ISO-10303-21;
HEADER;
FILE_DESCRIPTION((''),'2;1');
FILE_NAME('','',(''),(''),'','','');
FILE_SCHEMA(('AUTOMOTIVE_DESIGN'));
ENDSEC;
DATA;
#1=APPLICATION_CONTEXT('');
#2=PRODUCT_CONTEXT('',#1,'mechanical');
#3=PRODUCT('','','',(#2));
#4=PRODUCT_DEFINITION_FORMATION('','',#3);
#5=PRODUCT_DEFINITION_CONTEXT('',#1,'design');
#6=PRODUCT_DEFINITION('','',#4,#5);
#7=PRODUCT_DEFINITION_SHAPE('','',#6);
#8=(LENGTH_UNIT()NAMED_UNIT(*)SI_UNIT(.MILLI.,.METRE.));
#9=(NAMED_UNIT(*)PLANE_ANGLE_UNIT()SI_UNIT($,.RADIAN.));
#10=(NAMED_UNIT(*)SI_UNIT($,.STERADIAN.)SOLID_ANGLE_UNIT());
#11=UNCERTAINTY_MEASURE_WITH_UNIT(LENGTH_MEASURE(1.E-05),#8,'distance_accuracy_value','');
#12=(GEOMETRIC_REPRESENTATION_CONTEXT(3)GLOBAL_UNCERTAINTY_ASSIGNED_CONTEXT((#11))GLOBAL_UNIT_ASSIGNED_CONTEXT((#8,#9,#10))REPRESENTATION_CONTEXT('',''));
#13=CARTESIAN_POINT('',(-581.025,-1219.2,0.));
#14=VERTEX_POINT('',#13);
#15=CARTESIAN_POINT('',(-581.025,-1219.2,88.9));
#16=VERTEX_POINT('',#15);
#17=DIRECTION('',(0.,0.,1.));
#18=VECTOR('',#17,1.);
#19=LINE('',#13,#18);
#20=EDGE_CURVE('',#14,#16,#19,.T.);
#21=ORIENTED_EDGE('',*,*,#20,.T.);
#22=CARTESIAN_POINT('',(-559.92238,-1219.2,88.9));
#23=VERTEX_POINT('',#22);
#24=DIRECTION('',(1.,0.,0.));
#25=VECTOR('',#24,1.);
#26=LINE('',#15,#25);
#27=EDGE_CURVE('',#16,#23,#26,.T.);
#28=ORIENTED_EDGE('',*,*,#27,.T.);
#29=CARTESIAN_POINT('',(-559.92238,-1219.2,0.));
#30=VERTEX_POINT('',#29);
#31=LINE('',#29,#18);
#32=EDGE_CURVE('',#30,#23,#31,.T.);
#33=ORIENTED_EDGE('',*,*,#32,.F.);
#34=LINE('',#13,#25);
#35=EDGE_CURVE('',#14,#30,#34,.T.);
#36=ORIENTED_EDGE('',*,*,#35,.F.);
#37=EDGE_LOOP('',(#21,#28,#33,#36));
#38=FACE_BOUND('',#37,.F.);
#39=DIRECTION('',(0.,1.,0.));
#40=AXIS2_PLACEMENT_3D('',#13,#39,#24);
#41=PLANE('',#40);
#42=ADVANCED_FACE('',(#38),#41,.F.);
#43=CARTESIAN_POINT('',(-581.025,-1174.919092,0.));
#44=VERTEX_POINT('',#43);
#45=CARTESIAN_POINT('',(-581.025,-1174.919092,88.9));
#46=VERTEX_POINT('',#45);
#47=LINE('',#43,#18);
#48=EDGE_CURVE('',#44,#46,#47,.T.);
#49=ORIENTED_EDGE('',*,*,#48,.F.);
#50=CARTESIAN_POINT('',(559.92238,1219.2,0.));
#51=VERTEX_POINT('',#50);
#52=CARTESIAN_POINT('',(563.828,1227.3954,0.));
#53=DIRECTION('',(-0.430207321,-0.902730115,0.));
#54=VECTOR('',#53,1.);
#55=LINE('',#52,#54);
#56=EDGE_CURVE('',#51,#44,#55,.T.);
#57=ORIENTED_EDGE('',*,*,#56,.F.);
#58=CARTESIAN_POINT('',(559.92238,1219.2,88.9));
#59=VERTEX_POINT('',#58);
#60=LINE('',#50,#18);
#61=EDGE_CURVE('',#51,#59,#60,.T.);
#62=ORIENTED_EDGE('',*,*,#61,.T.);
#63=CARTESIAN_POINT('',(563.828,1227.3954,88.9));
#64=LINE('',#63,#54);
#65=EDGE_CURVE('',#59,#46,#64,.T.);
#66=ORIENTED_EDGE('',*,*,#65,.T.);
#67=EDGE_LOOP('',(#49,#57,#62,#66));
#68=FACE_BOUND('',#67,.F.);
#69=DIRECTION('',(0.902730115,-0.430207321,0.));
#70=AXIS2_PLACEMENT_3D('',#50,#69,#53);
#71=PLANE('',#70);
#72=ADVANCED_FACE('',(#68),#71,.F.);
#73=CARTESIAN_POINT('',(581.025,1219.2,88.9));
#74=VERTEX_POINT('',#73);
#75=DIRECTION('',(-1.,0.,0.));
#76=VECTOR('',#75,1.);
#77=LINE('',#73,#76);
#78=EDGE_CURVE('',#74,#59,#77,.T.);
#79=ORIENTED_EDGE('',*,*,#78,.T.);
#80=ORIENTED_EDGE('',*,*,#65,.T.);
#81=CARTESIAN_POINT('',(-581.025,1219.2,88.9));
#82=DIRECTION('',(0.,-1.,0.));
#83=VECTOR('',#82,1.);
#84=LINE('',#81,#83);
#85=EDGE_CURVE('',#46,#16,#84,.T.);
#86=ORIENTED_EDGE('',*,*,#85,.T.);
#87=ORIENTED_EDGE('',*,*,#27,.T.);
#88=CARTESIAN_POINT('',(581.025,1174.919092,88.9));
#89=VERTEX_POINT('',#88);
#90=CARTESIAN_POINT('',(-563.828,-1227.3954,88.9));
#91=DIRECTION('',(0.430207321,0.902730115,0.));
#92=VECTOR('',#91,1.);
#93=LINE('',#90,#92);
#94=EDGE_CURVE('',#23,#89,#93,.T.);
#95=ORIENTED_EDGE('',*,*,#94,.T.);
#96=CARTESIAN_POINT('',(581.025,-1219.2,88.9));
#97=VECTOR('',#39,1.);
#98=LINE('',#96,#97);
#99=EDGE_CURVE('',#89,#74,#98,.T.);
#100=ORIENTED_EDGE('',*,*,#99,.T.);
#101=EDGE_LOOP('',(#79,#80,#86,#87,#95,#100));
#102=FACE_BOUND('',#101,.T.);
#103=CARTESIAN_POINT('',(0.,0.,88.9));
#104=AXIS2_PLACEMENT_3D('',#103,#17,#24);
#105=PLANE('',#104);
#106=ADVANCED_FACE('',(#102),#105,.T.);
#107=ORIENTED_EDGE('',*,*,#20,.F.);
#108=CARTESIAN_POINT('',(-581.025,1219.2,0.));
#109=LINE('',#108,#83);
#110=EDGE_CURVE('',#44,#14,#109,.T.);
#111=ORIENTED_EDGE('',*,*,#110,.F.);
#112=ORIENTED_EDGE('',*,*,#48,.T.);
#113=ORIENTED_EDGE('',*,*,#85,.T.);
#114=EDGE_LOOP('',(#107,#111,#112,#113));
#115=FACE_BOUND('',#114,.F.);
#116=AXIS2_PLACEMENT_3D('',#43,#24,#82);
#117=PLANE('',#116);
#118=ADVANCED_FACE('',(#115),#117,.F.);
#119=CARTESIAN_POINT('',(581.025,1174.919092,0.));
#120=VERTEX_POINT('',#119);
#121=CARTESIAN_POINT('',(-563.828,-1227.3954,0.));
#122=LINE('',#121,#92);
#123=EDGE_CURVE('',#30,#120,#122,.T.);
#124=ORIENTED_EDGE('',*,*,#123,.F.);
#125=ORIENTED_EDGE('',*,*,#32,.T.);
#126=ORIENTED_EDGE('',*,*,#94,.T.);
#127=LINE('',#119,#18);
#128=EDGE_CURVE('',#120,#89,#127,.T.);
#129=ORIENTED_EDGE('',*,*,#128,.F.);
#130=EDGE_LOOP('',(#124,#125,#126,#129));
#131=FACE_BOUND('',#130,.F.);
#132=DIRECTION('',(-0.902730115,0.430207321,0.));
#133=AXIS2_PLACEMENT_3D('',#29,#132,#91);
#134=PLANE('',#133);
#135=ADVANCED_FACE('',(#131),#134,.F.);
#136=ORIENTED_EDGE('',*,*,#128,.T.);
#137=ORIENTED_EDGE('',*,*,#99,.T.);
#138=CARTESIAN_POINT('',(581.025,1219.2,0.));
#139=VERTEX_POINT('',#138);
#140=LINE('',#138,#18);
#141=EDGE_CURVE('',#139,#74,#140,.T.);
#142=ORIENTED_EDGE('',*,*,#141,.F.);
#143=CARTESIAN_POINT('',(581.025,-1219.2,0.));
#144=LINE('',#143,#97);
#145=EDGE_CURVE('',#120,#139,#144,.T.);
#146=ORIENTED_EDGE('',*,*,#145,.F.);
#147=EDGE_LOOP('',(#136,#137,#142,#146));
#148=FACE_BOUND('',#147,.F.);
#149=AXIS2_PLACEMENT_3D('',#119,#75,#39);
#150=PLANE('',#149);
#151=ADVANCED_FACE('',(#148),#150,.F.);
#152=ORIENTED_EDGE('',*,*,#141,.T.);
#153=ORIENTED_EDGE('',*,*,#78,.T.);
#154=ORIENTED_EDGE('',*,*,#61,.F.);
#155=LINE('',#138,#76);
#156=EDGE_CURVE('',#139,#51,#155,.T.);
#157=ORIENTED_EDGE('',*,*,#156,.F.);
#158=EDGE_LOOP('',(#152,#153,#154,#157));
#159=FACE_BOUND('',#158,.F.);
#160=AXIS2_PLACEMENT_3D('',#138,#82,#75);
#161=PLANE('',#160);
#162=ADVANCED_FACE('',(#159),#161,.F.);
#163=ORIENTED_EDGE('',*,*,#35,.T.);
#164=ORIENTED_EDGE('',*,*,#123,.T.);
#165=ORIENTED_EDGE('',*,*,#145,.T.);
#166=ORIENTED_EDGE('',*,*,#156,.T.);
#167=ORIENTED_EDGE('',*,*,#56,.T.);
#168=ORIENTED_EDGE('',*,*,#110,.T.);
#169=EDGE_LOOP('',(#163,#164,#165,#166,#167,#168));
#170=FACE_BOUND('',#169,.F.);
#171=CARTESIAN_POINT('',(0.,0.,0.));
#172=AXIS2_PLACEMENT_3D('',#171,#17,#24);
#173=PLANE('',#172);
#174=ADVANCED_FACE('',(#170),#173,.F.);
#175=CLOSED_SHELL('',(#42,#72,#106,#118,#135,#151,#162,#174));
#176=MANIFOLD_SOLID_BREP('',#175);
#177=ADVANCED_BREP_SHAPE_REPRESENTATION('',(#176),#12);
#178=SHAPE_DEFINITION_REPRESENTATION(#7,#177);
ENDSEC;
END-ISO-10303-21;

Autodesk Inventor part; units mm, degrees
ref_plane "YZ Plane" through (0, 0, 0) normal (1, 0, 0) x (0, 1, 0)
ref_plane "XZ Plane" through (0, 0, 0) normal (0, 1, 0) x (-1, 0, 0)
ref_plane "XY Plane" through (0, 0, 0) normal (0, 0, 1) x (1, 0, 0)
sketch "Sketch1" plane through (0, 0, 0) normal (0, 0, 1) x (1, 0, 0)
  line L0 (-581.025, -1219.2) -> (581.025, -1219.2)
  line L1 (581.025, -1219.2) -> (581.025, 1219.2)
  line L2 (581.025, 1219.2) -> (-581.025, 1219.2)
  line L3 (-581.025, 1219.2) -> (-581.025, -1219.2)
  line L4 (-581.025, -1219.2) -> (581.025, 1219.2) construction
  line L5 (581.025, -1219.2) -> (-581.025, 1219.2) construction
  line L6 (581.025, 1219.2) -> (-581.025, -1219.2)
  line L7 (-563.828, -1227.3954) -> (-598.222, -1211.0046)
  line L8 (598.222, 1211.0046) -> (563.828, 1227.3954)
  line L9 (563.828, 1227.3954) -> (-598.222, -1211.0046)
  line L10 (-563.828, -1227.3954) -> (598.222, 1211.0046)
  point P0 (0, 0)
  point P1 (559.9223, 1219.2)
  point P2 (-581.025, -1174.919)
  point P3 (-559.9223, -1219.2)
  point P4 (581.025, 1174.919)
  dimension "d0" = 1162.05
  dimension "d1" = 2438.4
  dimension "d2" = 38.1
  dimension "d3" = 38.1
extrude "Extrusion1" add sketch "Sketch1" along normal blind 88.9 contours L6 L1 L10 L0 | L3 L9 L2 L6
properties part number "S_2x4x106.344"
